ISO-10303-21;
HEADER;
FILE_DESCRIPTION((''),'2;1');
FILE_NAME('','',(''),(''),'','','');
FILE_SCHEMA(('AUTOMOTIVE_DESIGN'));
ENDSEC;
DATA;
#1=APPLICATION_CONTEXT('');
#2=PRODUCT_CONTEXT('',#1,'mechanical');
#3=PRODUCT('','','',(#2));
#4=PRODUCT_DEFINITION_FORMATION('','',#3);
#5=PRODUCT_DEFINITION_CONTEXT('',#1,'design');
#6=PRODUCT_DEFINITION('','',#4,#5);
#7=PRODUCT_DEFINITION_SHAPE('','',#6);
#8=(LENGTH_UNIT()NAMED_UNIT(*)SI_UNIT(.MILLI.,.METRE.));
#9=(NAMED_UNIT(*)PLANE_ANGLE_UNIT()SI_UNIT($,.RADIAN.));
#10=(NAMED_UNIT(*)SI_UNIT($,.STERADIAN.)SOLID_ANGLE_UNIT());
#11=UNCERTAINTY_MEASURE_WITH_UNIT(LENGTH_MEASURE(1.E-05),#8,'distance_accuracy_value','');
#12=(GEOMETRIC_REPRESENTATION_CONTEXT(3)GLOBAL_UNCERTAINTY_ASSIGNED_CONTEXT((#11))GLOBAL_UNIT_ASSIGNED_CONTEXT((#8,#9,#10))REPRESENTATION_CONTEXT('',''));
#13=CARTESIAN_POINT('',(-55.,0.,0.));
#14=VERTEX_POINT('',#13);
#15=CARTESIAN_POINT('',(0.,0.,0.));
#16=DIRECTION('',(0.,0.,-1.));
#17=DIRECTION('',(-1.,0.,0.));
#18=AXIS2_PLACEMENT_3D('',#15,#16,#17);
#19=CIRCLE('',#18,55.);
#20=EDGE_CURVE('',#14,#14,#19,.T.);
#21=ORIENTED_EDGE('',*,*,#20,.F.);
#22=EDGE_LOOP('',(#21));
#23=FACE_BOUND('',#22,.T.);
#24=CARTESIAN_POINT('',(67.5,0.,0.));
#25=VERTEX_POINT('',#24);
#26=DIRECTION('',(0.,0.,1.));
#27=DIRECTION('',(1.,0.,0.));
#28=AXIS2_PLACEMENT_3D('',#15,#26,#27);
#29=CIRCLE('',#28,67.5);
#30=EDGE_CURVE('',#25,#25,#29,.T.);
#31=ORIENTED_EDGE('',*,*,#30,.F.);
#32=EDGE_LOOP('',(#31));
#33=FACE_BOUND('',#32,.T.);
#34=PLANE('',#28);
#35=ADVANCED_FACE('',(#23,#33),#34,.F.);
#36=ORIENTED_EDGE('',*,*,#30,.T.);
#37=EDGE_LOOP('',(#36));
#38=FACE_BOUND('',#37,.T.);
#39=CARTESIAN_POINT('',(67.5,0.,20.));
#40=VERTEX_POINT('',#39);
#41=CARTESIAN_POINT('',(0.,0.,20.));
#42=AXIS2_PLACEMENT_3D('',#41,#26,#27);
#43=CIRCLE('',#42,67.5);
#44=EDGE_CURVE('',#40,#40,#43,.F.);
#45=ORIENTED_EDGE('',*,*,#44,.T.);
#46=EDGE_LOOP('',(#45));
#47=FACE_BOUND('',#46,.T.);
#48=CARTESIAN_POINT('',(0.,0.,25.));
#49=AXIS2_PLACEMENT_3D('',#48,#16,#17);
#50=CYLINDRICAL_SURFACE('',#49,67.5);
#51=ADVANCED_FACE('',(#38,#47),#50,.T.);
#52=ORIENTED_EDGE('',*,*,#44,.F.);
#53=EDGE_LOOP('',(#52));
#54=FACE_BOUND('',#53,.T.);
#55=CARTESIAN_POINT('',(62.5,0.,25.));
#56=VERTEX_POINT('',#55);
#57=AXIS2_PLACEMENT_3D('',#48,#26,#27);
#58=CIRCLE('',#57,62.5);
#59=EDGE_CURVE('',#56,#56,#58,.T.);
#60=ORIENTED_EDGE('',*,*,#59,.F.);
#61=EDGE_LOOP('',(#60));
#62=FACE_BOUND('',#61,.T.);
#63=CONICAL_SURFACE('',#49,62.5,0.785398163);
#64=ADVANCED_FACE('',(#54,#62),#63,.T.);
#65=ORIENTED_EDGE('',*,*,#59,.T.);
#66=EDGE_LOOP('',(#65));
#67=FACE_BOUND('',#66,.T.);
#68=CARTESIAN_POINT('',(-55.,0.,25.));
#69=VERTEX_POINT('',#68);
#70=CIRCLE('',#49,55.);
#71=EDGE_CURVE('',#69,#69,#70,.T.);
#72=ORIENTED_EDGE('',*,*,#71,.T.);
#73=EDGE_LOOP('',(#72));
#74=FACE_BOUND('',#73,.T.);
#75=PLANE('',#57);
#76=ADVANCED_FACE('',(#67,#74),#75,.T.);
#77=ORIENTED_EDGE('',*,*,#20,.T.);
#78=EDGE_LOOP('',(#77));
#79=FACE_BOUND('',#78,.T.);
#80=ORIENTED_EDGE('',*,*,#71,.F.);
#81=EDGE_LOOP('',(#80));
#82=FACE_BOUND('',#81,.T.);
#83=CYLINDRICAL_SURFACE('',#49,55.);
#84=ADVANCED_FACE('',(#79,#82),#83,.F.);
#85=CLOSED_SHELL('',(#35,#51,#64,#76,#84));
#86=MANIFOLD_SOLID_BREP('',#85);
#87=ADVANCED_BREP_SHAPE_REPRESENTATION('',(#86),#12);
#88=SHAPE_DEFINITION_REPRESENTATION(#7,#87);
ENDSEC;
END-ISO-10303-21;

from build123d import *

# Parameters (mm, degrees)
SKETCH_1_R          = 67.5
EXTRUDE_1_DEPTH     = 25
CHAMFER_1_SIZE      = 5
SKETCH_2_R          = 55
CUT_EXTRUDE_1_DEPTH = 99.67877178


with BuildPart() as part:
    # Эскиз1 → Бобышка-Вытянуть1 (new body)
    with BuildSketch(Plane.XY):
        Circle(SKETCH_1_R)
    extrude(amount=EXTRUDE_1_DEPTH)

    # Фаска1
    chamfer_1_edges = [part.edges().sort_by_distance(p)[0] for p in [
        (-67.5, 0, 25),
    ]]
    chamfer(chamfer_1_edges, length=CHAMFER_1_SIZE)

    # Эскиз2 → Вырез-Вытянуть1 (cut, through all)
    with BuildSketch(Plane(origin=(0, 0, 0), x_dir=(-1, 0, 0), z_dir=(0, 0, -1))):
        Circle(SKETCH_2_R)
    extrude(amount=-CUT_EXTRUDE_1_DEPTH, mode=Mode.SUBTRACT)


solid = part.part
